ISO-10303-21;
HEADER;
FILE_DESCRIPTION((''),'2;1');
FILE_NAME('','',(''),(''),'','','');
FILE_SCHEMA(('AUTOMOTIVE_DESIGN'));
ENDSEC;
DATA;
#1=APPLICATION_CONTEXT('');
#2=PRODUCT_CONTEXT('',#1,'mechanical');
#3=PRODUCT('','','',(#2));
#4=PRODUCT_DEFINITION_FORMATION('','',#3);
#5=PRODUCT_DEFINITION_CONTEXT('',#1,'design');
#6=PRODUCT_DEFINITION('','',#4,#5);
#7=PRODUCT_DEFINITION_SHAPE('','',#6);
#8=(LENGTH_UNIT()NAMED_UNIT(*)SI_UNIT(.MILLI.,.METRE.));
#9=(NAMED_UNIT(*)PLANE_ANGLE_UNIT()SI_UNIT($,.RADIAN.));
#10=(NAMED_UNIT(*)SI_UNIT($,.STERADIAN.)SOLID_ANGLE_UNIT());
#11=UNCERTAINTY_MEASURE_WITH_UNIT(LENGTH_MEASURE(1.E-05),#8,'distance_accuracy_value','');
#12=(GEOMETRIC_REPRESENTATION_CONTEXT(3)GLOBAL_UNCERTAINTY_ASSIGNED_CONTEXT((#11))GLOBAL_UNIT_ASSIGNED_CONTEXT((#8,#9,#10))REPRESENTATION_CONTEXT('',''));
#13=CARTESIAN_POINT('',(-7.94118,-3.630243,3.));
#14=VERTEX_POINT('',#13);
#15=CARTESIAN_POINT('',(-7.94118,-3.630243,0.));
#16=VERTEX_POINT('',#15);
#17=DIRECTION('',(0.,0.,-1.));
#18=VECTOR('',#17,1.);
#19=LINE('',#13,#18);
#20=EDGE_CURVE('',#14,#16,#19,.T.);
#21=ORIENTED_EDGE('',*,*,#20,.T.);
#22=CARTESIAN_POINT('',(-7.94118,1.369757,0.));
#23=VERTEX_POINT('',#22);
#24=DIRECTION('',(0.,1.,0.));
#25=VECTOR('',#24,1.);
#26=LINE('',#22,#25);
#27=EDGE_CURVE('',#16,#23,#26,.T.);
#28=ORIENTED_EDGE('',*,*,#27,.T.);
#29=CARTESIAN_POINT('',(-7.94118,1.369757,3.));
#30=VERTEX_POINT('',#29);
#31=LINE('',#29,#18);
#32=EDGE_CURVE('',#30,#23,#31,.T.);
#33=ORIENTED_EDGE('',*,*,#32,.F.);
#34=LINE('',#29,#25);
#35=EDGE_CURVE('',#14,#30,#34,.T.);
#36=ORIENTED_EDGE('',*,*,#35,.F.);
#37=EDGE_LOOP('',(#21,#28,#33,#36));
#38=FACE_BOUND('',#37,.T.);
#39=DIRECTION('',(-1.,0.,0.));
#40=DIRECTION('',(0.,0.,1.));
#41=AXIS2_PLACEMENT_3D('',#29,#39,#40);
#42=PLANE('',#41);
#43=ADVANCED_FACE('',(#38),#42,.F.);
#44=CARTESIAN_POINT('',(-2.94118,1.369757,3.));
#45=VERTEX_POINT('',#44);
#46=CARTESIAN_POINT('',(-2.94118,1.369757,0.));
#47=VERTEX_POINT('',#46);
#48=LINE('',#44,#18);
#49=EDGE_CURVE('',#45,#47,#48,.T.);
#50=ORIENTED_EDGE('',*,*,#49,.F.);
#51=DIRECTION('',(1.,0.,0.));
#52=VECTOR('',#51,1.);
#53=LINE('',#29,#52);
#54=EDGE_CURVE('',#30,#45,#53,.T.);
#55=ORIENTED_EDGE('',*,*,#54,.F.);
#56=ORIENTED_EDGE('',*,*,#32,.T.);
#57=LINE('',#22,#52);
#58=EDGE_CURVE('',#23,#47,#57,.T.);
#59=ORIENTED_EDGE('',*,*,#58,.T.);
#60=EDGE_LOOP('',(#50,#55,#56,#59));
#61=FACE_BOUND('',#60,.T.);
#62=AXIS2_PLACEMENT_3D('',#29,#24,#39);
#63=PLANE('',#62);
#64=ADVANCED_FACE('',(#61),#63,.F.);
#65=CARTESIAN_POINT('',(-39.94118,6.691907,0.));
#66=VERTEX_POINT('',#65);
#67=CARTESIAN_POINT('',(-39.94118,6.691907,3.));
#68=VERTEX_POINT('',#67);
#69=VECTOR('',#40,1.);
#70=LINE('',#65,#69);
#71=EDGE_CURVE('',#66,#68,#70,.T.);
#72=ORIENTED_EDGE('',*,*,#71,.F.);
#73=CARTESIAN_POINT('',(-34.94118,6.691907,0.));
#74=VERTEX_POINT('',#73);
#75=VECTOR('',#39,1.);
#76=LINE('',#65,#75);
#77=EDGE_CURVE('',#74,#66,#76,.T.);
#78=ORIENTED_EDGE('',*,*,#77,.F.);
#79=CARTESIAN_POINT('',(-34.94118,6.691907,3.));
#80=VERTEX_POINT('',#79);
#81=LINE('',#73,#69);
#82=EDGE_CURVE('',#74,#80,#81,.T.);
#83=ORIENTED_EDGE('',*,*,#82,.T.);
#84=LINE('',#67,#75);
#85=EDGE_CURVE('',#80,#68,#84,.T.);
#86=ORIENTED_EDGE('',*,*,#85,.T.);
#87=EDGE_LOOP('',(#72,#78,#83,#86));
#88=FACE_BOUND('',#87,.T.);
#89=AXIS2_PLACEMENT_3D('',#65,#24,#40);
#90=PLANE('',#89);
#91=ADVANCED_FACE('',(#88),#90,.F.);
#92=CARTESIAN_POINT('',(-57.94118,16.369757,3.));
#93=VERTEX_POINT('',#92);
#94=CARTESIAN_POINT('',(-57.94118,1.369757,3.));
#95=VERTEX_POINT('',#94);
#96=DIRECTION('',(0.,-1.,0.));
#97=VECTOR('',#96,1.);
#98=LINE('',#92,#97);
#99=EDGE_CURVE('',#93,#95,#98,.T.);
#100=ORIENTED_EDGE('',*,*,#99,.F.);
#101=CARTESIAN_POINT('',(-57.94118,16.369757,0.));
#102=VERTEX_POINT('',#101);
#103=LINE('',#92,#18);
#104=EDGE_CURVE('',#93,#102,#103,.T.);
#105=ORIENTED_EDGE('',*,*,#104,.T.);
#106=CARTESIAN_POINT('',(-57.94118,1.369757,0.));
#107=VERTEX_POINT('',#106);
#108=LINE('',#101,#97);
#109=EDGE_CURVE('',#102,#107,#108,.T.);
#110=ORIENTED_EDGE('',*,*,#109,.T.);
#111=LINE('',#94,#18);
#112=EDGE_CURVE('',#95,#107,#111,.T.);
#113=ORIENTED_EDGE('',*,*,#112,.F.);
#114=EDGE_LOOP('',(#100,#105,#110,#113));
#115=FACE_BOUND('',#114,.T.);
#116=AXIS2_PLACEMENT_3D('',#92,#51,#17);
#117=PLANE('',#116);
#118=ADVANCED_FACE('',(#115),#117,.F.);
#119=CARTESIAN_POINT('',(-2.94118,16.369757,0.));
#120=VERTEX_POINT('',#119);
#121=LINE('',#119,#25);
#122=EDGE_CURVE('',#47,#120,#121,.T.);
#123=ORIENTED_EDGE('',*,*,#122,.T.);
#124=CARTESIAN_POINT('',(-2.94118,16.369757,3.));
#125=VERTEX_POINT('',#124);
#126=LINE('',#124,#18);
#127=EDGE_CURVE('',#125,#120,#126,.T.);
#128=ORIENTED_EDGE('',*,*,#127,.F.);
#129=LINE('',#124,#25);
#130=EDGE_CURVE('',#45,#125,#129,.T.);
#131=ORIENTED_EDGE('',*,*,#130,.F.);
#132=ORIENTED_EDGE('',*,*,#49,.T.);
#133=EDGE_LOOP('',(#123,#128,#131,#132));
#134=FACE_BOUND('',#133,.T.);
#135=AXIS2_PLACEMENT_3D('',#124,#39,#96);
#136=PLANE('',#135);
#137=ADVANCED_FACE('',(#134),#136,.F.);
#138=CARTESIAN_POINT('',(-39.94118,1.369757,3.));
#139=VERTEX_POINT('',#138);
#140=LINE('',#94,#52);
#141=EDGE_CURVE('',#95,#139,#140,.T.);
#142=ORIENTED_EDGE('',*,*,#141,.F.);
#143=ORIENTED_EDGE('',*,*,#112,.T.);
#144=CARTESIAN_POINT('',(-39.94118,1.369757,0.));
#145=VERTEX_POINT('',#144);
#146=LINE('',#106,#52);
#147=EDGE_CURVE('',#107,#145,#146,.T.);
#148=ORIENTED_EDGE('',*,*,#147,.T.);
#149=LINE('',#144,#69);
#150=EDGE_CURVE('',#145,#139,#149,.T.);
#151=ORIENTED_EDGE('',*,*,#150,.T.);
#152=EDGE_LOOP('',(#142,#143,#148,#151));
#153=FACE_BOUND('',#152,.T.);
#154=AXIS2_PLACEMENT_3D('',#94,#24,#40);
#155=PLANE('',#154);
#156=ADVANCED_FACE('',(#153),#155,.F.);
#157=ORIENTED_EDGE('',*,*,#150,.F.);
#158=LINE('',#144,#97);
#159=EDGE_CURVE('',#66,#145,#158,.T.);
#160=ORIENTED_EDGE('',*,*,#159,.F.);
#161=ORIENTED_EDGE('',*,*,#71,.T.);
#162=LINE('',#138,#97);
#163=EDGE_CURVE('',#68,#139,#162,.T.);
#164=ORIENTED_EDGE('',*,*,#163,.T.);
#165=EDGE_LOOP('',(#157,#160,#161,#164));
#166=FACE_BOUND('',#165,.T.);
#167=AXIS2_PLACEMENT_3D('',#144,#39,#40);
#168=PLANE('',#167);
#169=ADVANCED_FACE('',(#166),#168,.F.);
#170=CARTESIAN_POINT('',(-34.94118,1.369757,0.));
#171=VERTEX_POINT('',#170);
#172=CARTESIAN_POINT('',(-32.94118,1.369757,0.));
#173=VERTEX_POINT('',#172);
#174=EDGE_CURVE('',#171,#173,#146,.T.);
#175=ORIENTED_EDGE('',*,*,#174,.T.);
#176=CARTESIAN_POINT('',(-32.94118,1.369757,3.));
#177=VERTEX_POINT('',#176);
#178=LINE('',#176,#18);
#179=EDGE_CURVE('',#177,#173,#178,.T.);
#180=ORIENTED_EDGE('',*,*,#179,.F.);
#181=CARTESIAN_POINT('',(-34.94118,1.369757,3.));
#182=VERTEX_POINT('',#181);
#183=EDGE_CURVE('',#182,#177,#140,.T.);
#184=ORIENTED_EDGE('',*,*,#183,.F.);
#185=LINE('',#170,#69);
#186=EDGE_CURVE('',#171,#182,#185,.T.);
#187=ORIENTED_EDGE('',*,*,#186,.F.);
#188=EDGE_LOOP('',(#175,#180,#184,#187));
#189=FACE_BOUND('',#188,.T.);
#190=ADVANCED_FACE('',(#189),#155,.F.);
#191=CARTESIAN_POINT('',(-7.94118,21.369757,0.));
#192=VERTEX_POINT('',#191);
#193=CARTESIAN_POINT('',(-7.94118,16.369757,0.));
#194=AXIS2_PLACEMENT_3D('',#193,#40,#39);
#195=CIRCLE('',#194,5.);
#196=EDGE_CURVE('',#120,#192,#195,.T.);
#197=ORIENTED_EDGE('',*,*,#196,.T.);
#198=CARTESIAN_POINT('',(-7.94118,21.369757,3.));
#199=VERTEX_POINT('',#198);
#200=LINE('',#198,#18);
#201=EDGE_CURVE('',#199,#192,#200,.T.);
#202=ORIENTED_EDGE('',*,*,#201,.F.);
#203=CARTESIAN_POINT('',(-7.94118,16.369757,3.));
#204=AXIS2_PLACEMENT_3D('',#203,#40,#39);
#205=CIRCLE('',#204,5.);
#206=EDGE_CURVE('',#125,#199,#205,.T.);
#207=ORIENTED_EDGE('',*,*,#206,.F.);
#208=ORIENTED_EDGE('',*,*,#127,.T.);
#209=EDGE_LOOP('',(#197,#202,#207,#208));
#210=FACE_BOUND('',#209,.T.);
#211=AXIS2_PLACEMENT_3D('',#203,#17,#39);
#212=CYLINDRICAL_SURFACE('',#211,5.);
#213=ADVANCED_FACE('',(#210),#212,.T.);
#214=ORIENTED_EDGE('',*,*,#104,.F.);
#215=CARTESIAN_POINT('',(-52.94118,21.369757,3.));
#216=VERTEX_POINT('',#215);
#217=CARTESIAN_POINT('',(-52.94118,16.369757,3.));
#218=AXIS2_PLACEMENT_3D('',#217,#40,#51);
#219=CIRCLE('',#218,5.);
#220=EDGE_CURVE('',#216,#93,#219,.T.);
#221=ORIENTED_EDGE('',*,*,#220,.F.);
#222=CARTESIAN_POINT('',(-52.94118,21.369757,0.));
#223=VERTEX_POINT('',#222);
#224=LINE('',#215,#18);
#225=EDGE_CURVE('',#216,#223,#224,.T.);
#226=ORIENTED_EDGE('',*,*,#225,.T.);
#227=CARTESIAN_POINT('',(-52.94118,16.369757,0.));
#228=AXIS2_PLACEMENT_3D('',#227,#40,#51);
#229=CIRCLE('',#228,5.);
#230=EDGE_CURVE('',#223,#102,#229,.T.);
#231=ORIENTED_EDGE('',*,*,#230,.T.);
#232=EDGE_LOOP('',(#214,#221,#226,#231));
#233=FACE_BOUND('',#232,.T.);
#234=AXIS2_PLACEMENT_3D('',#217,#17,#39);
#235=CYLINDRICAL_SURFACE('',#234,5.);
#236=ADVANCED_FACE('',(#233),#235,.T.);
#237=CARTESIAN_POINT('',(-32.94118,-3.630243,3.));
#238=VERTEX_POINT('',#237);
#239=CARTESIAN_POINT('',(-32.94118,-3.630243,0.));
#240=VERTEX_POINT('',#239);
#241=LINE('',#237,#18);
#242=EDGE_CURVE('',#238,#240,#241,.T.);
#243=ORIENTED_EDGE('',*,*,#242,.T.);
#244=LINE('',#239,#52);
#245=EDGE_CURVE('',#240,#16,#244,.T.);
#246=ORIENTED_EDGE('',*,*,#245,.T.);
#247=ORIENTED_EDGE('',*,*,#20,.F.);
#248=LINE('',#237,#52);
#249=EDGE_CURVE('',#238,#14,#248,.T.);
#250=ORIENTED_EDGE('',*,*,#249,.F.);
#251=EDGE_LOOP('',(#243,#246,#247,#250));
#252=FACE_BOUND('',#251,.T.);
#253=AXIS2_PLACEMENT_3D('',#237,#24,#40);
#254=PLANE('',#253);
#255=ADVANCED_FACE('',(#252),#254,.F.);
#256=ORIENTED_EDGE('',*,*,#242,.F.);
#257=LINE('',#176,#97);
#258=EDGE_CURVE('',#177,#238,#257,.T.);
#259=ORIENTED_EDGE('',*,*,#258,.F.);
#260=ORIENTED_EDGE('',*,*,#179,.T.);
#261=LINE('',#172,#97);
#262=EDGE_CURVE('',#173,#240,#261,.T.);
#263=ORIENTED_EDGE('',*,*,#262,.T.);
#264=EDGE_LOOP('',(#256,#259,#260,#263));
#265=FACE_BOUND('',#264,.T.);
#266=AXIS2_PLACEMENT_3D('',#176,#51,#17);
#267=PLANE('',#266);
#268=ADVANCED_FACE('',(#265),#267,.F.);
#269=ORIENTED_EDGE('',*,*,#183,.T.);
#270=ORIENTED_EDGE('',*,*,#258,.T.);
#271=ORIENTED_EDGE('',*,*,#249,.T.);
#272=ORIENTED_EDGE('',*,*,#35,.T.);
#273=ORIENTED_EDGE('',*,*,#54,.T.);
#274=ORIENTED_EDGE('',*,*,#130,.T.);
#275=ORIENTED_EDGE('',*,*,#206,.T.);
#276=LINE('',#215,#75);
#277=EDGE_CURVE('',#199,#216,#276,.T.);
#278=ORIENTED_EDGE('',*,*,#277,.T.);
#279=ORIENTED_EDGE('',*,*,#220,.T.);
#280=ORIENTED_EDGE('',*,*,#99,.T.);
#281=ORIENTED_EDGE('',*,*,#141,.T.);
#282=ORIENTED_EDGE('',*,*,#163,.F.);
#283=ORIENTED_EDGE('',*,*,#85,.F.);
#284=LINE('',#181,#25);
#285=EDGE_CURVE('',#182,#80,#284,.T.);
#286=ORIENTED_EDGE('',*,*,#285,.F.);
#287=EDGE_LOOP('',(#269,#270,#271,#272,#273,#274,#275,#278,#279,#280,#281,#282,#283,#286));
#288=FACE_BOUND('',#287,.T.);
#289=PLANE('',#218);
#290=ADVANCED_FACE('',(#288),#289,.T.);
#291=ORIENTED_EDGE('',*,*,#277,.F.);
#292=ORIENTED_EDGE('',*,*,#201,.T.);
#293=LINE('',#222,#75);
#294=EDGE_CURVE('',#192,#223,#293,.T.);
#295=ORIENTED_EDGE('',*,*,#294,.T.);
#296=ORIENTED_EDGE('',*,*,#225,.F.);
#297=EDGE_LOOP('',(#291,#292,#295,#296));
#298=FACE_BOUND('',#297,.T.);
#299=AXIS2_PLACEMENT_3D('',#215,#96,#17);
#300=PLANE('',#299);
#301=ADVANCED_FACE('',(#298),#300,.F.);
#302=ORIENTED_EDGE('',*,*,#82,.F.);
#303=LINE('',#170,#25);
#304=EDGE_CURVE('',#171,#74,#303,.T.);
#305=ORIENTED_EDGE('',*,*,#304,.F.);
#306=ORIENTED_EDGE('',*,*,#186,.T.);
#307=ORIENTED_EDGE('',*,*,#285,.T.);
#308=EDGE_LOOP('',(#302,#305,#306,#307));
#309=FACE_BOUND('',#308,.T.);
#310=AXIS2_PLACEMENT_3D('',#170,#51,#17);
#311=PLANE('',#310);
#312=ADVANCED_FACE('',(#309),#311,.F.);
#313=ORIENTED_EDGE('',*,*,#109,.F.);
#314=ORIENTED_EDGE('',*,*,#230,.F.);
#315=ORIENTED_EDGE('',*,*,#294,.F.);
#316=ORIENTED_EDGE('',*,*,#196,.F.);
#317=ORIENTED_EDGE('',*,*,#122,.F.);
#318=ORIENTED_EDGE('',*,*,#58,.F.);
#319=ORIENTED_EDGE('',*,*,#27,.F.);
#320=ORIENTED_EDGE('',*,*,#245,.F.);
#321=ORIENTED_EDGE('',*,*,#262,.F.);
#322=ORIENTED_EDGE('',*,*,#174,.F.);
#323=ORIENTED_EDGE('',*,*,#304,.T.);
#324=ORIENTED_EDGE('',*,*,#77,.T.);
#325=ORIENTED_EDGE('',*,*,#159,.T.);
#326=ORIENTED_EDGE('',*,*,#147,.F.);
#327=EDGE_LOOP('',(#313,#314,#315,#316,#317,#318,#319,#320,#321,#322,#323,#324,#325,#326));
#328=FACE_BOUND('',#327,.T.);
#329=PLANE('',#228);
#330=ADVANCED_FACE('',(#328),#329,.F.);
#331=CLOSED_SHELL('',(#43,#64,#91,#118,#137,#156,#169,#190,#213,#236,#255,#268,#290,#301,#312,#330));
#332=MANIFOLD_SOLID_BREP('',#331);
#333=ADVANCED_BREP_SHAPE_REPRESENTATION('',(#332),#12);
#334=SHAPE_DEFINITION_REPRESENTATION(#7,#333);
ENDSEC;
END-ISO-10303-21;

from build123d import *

# Parameters (mm, degrees)
RESSALTO_EXTRUS_O1_DEPTH = 3
ESBO_O3_W                = 5
ESBO_O3_H                = 5.322149945
CORTE_EXTRUS_O2_DEPTH    = 4


with BuildPart() as part:
    # Esboço1 → Ressalto-extrusão1 (new body)
    with BuildSketch(Plane.XY):
        with BuildLine():
            Line((-7.94118013, 1.369756817), (-2.94118013, 1.369756817))
            Line((-2.94118013, 1.369756817), (-2.94118013, 16.369756817))
            ThreePointArc((-2.94118013, 16.369756817), (-4.405646224, 19.905290723), (-7.94118013, 21.369756817))
            Line((-7.94118013, 21.369756817), (-52.94118013, 21.369756817))
            ThreePointArc((-52.94118013, 21.369756817), (-56.476714036, 19.905290723), (-57.94118013, 16.369756817))
            Line((-57.94118013, 16.369756817), (-57.94118013, 1.369756817))
            Line((-57.94118013, 1.369756817), (-32.94118013, 1.369756817))
            Line((-32.94118013, 1.369756817), (-32.94118013, -3.630243183))
            Line((-32.94118013, -3.630243183), (-7.94118013, -3.630243183))
            Line((-7.94118013, -3.630243183), (-7.94118013, 1.369756817))
        make_face()
    extrude(amount=RESSALTO_EXTRUS_O1_DEPTH)

    # Esboço3 → Corte-extrusão2 (cut, through all)
    with BuildSketch(Plane.XY.offset(3)):
        with Locations((-37.44118013, 4.03083179)):
            Rectangle(ESBO_O3_W, ESBO_O3_H)
    extrude(amount=-CORTE_EXTRUS_O2_DEPTH, mode=Mode.SUBTRACT)


solid = part.part
